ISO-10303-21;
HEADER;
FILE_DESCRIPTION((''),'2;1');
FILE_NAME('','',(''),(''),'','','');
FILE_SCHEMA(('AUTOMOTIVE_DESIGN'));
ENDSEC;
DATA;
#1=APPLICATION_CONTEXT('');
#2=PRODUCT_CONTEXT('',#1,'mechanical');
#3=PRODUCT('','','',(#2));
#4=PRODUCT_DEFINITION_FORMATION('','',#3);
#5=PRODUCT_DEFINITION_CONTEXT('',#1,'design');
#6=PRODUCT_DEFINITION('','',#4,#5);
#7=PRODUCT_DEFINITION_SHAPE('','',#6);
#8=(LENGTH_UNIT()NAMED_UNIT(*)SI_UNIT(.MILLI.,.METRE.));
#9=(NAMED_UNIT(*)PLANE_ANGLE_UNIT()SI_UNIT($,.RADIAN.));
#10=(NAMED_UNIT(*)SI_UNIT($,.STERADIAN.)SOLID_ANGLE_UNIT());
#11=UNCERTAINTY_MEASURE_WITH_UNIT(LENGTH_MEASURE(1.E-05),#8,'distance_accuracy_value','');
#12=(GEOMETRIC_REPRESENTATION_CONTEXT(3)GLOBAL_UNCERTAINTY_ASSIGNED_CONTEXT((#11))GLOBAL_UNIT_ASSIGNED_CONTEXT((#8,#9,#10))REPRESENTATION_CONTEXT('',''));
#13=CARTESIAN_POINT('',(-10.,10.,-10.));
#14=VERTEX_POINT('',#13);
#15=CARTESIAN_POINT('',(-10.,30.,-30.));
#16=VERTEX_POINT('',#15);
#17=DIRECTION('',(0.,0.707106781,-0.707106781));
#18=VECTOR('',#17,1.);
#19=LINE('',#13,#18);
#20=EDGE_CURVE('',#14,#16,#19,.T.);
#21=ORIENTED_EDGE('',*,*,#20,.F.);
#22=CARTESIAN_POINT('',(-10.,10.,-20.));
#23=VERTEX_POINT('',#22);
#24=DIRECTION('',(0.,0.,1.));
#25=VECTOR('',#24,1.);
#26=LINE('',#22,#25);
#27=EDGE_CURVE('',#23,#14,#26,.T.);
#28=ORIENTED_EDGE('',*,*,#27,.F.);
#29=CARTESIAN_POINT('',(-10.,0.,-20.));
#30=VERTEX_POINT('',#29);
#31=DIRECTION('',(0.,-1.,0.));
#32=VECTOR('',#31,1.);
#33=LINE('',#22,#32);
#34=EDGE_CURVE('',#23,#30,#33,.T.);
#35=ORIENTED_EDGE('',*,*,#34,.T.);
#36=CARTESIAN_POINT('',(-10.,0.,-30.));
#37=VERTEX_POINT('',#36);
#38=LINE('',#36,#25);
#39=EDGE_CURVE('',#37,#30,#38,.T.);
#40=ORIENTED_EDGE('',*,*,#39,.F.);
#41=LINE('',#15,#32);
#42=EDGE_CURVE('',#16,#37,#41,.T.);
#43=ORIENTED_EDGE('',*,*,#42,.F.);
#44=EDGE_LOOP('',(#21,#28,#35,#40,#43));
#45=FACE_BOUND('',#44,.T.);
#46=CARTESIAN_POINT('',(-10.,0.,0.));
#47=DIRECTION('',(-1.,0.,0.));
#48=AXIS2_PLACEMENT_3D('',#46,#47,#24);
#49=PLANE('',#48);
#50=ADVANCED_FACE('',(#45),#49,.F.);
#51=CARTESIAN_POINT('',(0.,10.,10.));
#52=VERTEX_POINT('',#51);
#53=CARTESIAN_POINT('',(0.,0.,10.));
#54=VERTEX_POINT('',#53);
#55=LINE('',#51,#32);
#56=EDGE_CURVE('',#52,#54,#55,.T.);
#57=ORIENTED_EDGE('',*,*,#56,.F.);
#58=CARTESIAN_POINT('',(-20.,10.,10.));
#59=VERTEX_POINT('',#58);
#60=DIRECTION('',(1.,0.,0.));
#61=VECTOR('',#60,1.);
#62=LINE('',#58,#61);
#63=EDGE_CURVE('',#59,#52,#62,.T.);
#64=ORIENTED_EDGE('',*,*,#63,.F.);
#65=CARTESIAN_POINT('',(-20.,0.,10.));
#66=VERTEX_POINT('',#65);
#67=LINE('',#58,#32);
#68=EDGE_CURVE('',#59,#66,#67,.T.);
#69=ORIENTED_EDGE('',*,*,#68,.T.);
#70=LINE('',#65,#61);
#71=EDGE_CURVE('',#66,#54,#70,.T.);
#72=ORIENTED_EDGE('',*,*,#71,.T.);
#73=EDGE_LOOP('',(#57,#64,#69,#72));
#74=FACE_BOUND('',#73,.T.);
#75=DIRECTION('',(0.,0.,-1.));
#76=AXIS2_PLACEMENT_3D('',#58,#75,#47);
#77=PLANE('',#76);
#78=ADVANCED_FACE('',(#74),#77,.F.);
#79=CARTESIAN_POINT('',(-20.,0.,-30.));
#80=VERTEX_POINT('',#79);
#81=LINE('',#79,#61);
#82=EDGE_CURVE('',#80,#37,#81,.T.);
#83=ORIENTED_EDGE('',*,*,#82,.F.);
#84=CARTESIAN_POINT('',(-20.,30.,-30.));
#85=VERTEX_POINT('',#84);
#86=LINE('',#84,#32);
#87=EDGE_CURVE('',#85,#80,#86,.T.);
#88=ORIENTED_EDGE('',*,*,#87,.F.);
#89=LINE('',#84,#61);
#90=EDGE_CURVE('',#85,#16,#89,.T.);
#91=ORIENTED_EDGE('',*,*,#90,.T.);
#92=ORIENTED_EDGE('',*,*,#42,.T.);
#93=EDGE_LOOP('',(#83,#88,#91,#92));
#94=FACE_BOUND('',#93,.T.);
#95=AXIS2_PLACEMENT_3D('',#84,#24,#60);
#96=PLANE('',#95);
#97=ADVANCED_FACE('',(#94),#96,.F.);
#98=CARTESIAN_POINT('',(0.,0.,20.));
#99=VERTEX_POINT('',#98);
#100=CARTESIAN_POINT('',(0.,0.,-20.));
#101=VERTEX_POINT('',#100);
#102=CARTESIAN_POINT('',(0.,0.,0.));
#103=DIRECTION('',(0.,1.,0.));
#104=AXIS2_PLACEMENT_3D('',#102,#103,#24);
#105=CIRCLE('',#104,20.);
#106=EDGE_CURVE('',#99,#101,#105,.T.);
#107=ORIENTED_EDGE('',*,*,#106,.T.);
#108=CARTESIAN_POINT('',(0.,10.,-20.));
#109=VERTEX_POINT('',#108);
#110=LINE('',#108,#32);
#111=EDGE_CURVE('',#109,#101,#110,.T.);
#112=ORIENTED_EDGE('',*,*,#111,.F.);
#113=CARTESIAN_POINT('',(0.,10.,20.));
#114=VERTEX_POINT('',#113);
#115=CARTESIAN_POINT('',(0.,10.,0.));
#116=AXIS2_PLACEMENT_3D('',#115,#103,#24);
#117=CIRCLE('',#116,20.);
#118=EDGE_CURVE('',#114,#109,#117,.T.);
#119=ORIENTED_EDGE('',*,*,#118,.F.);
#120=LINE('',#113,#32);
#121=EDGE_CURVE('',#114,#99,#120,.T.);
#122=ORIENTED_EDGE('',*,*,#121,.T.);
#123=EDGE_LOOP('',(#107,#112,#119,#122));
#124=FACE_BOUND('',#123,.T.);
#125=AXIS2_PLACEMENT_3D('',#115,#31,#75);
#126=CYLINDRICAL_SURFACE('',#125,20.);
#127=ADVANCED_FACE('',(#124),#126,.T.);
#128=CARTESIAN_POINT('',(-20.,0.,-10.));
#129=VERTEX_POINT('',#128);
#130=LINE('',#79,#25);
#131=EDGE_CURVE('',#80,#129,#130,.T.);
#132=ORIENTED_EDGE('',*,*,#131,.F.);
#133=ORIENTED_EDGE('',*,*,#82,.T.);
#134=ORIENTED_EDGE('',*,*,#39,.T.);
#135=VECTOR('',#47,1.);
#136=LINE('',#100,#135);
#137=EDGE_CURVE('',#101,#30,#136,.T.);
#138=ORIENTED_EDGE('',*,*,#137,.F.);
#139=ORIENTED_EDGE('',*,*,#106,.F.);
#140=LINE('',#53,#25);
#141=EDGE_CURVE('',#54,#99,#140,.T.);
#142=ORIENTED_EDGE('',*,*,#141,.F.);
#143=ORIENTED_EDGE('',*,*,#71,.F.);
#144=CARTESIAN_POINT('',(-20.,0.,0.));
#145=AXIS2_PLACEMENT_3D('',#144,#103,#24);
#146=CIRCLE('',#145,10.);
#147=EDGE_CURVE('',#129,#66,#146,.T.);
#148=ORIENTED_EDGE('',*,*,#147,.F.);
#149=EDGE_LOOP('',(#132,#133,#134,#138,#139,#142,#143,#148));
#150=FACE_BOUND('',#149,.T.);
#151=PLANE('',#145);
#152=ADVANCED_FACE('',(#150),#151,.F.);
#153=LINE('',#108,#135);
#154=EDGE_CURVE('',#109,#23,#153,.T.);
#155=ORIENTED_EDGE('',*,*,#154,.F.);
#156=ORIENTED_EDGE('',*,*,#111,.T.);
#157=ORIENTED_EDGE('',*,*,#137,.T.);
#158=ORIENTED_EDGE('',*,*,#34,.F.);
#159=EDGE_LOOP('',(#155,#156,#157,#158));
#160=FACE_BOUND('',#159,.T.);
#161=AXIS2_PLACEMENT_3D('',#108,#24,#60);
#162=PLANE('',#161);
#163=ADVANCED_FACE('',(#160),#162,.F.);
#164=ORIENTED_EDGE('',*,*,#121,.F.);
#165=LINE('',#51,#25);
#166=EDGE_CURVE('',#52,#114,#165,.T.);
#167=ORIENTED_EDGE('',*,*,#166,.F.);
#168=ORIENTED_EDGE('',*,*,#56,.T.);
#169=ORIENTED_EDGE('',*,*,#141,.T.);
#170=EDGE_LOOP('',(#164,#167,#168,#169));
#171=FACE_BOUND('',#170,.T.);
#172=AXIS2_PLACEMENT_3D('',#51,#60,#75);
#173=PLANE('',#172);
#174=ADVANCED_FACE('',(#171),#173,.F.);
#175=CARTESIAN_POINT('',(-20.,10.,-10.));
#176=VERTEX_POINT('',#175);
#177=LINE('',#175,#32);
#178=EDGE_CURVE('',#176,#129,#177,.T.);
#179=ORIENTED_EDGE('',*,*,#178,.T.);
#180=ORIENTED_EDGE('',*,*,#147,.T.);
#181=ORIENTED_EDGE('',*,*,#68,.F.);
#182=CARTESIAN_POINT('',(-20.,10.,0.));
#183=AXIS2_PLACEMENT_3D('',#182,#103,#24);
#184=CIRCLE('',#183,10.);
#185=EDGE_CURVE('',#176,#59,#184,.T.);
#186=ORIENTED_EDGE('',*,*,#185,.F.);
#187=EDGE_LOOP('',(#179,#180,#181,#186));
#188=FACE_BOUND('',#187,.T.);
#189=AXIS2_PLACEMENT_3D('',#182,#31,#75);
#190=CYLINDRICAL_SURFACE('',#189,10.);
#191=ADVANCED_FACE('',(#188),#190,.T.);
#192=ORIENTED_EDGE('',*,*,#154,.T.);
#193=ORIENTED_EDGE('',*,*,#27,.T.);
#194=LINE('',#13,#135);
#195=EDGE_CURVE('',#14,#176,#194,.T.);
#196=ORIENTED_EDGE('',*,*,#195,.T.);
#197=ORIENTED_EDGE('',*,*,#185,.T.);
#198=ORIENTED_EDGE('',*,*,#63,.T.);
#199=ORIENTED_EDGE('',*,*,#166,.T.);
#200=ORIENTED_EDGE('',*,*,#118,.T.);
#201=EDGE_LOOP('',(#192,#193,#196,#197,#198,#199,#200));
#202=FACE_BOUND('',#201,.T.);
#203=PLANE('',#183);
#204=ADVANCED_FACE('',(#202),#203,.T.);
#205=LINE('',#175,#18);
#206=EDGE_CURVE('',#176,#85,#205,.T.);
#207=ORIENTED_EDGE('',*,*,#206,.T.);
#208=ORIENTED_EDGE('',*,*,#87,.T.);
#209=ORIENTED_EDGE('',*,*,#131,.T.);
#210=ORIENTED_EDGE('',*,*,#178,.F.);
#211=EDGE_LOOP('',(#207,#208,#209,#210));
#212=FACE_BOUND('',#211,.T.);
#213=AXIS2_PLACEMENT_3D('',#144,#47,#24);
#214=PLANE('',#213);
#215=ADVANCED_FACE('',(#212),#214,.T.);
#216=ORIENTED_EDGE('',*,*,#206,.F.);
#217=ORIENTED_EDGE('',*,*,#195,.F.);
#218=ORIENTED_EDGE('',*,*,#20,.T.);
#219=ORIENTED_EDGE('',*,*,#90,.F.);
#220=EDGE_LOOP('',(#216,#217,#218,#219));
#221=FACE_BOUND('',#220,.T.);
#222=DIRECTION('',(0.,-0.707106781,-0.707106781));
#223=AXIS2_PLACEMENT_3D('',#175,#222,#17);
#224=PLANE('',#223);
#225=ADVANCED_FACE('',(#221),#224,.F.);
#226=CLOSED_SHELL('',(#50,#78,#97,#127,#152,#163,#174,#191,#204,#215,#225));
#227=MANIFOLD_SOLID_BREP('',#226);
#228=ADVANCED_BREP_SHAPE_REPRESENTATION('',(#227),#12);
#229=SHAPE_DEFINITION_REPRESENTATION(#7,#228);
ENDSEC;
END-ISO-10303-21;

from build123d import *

# Parameters (mm, degrees)
BOSS_EXTRUDE1_DEPTH = 10
BOSS_EXTRUDE2_DEPTH = 10


with BuildPart() as part:
    # Sketch1 → Boss-Extrude1 (new body)
    with BuildSketch(Plane(origin=(0, 0, 0), x_dir=(1, 0, 0), z_dir=(0, 1, 0))):
        with BuildLine():
            Line((0, 20), (-10, 20))
            Line((-10, 20), (-10, 10))
            Line((-10, 10), (-20, 10))
            ThreePointArc((-20, 10), (-30, 0), (-20, -10))
            Line((-20, -10), (0, -10))
            Line((0, -10), (0, -20))
            ThreePointArc((0, -20), (20, 0), (0, 20))
        make_face()
    extrude(amount=BOSS_EXTRUDE1_DEPTH)

    # Sketch2 → Boss-Extrude2 (add)
    with BuildSketch(Plane.ZY.offset(10)):
        Polygon((-10, 10), (-30, 30), (-30, 0), (-10, 0), align=None)
    extrude(amount=BOSS_EXTRUDE2_DEPTH)


solid = part.part
